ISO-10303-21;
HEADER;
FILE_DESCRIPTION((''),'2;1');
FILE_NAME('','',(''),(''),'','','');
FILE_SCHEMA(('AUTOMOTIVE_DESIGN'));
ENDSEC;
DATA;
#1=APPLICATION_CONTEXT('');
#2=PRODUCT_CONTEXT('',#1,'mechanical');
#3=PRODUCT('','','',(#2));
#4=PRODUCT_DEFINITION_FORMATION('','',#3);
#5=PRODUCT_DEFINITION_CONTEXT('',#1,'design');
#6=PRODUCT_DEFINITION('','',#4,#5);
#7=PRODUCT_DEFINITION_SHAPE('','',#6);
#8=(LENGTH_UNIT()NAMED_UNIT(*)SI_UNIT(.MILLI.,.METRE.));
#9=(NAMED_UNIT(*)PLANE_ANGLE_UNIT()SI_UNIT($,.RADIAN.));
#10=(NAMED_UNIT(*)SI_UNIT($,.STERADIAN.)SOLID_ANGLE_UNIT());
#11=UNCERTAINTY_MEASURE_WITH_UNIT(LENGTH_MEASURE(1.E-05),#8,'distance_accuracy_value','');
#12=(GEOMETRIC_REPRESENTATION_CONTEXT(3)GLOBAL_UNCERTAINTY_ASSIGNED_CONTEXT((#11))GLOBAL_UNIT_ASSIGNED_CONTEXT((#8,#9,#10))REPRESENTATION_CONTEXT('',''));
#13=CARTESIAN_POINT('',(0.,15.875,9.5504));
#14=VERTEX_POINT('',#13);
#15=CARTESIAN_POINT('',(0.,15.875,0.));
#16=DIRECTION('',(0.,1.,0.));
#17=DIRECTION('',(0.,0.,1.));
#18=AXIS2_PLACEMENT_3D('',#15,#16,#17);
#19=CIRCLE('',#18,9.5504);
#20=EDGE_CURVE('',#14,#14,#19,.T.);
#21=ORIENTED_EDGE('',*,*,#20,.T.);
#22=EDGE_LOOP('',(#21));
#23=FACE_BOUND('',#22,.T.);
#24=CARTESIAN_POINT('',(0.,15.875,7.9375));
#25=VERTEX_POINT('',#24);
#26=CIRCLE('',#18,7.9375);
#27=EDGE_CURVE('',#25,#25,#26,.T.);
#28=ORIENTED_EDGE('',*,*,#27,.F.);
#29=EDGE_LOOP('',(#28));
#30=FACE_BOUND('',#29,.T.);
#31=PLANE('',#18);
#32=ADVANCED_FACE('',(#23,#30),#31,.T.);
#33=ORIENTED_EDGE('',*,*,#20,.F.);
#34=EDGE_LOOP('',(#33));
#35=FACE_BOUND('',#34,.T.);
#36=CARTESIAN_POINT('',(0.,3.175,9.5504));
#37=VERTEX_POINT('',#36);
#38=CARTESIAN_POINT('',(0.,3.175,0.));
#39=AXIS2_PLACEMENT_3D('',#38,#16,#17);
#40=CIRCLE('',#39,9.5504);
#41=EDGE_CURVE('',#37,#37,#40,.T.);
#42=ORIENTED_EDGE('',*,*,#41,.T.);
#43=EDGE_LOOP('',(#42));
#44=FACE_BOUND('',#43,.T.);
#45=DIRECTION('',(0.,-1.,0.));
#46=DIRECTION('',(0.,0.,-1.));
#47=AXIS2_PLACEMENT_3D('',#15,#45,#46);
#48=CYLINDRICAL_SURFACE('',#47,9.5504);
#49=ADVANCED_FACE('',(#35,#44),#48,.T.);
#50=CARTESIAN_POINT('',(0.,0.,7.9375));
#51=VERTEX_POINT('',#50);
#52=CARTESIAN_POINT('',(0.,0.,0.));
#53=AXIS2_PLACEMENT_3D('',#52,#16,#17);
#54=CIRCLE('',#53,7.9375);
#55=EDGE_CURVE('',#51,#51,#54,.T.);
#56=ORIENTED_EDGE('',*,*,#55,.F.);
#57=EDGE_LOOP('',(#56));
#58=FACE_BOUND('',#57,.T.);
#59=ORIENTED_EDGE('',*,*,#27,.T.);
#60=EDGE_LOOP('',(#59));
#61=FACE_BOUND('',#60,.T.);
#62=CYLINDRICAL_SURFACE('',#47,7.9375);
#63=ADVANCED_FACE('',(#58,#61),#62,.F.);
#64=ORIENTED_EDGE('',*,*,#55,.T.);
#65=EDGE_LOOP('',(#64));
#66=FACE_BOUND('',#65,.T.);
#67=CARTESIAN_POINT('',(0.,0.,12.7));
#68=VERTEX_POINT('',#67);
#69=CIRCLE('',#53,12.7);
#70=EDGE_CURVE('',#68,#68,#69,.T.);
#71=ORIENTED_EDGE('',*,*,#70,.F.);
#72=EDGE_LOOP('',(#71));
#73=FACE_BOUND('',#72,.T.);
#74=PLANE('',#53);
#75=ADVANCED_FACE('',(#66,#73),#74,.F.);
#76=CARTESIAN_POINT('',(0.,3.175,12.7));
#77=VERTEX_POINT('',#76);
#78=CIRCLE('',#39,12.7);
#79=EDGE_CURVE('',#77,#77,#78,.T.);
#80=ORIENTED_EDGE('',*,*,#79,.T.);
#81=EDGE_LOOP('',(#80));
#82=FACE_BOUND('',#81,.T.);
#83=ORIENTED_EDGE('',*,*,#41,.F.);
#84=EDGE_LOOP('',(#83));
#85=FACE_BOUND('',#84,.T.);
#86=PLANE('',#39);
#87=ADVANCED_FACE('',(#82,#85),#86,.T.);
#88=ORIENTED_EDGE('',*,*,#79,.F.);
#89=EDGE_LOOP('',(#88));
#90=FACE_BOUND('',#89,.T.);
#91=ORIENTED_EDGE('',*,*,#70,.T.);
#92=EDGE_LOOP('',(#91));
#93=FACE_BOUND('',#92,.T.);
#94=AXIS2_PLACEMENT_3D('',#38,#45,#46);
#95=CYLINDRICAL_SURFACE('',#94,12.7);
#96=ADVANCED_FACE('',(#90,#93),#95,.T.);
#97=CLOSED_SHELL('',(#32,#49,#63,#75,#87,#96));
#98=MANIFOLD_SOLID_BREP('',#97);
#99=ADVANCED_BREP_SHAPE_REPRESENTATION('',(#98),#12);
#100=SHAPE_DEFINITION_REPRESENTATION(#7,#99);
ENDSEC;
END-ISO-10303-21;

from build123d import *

# Parameters (mm, degrees)
SKETCH2_R           = 9.5504
SKETCH2_R_2         = 7.9375
BOSS_EXTRUDE1_DEPTH = 15.875
SKETCH3_R           = 12.7
SKETCH3_R_2         = 9.5504
BOSS_EXTRUDE2_DEPTH = 3.175


with BuildPart() as part:
    # Sketch2 → Boss-Extrude1 (new body)
    with BuildSketch(Plane(origin=(0, 0, 0), x_dir=(1, 0, 0), z_dir=(0, 1, 0))):
        with Locations(Location((0, 0, 0), (0, 0, 270))):
            Circle(SKETCH2_R)
        with Locations(Location((0, 0, 0), (0, 0, 270))):
            Circle(SKETCH2_R_2, mode=Mode.SUBTRACT)
    extrude(amount=BOSS_EXTRUDE1_DEPTH)

    # Sketch3 → Boss-Extrude2 (add)
    with BuildSketch(Plane(origin=(0, 0, 0), x_dir=(1, 0, 0), z_dir=(0, 1, 0))):
        with Locations(Location((0, 0, 0), (0, 0, 270))):
            Circle(SKETCH3_R)
        with Locations(Location((0, 0, 0), (0, 0, 270))):
            Circle(SKETCH3_R_2, mode=Mode.SUBTRACT)
    extrude(amount=BOSS_EXTRUDE2_DEPTH)


solid = part.part
